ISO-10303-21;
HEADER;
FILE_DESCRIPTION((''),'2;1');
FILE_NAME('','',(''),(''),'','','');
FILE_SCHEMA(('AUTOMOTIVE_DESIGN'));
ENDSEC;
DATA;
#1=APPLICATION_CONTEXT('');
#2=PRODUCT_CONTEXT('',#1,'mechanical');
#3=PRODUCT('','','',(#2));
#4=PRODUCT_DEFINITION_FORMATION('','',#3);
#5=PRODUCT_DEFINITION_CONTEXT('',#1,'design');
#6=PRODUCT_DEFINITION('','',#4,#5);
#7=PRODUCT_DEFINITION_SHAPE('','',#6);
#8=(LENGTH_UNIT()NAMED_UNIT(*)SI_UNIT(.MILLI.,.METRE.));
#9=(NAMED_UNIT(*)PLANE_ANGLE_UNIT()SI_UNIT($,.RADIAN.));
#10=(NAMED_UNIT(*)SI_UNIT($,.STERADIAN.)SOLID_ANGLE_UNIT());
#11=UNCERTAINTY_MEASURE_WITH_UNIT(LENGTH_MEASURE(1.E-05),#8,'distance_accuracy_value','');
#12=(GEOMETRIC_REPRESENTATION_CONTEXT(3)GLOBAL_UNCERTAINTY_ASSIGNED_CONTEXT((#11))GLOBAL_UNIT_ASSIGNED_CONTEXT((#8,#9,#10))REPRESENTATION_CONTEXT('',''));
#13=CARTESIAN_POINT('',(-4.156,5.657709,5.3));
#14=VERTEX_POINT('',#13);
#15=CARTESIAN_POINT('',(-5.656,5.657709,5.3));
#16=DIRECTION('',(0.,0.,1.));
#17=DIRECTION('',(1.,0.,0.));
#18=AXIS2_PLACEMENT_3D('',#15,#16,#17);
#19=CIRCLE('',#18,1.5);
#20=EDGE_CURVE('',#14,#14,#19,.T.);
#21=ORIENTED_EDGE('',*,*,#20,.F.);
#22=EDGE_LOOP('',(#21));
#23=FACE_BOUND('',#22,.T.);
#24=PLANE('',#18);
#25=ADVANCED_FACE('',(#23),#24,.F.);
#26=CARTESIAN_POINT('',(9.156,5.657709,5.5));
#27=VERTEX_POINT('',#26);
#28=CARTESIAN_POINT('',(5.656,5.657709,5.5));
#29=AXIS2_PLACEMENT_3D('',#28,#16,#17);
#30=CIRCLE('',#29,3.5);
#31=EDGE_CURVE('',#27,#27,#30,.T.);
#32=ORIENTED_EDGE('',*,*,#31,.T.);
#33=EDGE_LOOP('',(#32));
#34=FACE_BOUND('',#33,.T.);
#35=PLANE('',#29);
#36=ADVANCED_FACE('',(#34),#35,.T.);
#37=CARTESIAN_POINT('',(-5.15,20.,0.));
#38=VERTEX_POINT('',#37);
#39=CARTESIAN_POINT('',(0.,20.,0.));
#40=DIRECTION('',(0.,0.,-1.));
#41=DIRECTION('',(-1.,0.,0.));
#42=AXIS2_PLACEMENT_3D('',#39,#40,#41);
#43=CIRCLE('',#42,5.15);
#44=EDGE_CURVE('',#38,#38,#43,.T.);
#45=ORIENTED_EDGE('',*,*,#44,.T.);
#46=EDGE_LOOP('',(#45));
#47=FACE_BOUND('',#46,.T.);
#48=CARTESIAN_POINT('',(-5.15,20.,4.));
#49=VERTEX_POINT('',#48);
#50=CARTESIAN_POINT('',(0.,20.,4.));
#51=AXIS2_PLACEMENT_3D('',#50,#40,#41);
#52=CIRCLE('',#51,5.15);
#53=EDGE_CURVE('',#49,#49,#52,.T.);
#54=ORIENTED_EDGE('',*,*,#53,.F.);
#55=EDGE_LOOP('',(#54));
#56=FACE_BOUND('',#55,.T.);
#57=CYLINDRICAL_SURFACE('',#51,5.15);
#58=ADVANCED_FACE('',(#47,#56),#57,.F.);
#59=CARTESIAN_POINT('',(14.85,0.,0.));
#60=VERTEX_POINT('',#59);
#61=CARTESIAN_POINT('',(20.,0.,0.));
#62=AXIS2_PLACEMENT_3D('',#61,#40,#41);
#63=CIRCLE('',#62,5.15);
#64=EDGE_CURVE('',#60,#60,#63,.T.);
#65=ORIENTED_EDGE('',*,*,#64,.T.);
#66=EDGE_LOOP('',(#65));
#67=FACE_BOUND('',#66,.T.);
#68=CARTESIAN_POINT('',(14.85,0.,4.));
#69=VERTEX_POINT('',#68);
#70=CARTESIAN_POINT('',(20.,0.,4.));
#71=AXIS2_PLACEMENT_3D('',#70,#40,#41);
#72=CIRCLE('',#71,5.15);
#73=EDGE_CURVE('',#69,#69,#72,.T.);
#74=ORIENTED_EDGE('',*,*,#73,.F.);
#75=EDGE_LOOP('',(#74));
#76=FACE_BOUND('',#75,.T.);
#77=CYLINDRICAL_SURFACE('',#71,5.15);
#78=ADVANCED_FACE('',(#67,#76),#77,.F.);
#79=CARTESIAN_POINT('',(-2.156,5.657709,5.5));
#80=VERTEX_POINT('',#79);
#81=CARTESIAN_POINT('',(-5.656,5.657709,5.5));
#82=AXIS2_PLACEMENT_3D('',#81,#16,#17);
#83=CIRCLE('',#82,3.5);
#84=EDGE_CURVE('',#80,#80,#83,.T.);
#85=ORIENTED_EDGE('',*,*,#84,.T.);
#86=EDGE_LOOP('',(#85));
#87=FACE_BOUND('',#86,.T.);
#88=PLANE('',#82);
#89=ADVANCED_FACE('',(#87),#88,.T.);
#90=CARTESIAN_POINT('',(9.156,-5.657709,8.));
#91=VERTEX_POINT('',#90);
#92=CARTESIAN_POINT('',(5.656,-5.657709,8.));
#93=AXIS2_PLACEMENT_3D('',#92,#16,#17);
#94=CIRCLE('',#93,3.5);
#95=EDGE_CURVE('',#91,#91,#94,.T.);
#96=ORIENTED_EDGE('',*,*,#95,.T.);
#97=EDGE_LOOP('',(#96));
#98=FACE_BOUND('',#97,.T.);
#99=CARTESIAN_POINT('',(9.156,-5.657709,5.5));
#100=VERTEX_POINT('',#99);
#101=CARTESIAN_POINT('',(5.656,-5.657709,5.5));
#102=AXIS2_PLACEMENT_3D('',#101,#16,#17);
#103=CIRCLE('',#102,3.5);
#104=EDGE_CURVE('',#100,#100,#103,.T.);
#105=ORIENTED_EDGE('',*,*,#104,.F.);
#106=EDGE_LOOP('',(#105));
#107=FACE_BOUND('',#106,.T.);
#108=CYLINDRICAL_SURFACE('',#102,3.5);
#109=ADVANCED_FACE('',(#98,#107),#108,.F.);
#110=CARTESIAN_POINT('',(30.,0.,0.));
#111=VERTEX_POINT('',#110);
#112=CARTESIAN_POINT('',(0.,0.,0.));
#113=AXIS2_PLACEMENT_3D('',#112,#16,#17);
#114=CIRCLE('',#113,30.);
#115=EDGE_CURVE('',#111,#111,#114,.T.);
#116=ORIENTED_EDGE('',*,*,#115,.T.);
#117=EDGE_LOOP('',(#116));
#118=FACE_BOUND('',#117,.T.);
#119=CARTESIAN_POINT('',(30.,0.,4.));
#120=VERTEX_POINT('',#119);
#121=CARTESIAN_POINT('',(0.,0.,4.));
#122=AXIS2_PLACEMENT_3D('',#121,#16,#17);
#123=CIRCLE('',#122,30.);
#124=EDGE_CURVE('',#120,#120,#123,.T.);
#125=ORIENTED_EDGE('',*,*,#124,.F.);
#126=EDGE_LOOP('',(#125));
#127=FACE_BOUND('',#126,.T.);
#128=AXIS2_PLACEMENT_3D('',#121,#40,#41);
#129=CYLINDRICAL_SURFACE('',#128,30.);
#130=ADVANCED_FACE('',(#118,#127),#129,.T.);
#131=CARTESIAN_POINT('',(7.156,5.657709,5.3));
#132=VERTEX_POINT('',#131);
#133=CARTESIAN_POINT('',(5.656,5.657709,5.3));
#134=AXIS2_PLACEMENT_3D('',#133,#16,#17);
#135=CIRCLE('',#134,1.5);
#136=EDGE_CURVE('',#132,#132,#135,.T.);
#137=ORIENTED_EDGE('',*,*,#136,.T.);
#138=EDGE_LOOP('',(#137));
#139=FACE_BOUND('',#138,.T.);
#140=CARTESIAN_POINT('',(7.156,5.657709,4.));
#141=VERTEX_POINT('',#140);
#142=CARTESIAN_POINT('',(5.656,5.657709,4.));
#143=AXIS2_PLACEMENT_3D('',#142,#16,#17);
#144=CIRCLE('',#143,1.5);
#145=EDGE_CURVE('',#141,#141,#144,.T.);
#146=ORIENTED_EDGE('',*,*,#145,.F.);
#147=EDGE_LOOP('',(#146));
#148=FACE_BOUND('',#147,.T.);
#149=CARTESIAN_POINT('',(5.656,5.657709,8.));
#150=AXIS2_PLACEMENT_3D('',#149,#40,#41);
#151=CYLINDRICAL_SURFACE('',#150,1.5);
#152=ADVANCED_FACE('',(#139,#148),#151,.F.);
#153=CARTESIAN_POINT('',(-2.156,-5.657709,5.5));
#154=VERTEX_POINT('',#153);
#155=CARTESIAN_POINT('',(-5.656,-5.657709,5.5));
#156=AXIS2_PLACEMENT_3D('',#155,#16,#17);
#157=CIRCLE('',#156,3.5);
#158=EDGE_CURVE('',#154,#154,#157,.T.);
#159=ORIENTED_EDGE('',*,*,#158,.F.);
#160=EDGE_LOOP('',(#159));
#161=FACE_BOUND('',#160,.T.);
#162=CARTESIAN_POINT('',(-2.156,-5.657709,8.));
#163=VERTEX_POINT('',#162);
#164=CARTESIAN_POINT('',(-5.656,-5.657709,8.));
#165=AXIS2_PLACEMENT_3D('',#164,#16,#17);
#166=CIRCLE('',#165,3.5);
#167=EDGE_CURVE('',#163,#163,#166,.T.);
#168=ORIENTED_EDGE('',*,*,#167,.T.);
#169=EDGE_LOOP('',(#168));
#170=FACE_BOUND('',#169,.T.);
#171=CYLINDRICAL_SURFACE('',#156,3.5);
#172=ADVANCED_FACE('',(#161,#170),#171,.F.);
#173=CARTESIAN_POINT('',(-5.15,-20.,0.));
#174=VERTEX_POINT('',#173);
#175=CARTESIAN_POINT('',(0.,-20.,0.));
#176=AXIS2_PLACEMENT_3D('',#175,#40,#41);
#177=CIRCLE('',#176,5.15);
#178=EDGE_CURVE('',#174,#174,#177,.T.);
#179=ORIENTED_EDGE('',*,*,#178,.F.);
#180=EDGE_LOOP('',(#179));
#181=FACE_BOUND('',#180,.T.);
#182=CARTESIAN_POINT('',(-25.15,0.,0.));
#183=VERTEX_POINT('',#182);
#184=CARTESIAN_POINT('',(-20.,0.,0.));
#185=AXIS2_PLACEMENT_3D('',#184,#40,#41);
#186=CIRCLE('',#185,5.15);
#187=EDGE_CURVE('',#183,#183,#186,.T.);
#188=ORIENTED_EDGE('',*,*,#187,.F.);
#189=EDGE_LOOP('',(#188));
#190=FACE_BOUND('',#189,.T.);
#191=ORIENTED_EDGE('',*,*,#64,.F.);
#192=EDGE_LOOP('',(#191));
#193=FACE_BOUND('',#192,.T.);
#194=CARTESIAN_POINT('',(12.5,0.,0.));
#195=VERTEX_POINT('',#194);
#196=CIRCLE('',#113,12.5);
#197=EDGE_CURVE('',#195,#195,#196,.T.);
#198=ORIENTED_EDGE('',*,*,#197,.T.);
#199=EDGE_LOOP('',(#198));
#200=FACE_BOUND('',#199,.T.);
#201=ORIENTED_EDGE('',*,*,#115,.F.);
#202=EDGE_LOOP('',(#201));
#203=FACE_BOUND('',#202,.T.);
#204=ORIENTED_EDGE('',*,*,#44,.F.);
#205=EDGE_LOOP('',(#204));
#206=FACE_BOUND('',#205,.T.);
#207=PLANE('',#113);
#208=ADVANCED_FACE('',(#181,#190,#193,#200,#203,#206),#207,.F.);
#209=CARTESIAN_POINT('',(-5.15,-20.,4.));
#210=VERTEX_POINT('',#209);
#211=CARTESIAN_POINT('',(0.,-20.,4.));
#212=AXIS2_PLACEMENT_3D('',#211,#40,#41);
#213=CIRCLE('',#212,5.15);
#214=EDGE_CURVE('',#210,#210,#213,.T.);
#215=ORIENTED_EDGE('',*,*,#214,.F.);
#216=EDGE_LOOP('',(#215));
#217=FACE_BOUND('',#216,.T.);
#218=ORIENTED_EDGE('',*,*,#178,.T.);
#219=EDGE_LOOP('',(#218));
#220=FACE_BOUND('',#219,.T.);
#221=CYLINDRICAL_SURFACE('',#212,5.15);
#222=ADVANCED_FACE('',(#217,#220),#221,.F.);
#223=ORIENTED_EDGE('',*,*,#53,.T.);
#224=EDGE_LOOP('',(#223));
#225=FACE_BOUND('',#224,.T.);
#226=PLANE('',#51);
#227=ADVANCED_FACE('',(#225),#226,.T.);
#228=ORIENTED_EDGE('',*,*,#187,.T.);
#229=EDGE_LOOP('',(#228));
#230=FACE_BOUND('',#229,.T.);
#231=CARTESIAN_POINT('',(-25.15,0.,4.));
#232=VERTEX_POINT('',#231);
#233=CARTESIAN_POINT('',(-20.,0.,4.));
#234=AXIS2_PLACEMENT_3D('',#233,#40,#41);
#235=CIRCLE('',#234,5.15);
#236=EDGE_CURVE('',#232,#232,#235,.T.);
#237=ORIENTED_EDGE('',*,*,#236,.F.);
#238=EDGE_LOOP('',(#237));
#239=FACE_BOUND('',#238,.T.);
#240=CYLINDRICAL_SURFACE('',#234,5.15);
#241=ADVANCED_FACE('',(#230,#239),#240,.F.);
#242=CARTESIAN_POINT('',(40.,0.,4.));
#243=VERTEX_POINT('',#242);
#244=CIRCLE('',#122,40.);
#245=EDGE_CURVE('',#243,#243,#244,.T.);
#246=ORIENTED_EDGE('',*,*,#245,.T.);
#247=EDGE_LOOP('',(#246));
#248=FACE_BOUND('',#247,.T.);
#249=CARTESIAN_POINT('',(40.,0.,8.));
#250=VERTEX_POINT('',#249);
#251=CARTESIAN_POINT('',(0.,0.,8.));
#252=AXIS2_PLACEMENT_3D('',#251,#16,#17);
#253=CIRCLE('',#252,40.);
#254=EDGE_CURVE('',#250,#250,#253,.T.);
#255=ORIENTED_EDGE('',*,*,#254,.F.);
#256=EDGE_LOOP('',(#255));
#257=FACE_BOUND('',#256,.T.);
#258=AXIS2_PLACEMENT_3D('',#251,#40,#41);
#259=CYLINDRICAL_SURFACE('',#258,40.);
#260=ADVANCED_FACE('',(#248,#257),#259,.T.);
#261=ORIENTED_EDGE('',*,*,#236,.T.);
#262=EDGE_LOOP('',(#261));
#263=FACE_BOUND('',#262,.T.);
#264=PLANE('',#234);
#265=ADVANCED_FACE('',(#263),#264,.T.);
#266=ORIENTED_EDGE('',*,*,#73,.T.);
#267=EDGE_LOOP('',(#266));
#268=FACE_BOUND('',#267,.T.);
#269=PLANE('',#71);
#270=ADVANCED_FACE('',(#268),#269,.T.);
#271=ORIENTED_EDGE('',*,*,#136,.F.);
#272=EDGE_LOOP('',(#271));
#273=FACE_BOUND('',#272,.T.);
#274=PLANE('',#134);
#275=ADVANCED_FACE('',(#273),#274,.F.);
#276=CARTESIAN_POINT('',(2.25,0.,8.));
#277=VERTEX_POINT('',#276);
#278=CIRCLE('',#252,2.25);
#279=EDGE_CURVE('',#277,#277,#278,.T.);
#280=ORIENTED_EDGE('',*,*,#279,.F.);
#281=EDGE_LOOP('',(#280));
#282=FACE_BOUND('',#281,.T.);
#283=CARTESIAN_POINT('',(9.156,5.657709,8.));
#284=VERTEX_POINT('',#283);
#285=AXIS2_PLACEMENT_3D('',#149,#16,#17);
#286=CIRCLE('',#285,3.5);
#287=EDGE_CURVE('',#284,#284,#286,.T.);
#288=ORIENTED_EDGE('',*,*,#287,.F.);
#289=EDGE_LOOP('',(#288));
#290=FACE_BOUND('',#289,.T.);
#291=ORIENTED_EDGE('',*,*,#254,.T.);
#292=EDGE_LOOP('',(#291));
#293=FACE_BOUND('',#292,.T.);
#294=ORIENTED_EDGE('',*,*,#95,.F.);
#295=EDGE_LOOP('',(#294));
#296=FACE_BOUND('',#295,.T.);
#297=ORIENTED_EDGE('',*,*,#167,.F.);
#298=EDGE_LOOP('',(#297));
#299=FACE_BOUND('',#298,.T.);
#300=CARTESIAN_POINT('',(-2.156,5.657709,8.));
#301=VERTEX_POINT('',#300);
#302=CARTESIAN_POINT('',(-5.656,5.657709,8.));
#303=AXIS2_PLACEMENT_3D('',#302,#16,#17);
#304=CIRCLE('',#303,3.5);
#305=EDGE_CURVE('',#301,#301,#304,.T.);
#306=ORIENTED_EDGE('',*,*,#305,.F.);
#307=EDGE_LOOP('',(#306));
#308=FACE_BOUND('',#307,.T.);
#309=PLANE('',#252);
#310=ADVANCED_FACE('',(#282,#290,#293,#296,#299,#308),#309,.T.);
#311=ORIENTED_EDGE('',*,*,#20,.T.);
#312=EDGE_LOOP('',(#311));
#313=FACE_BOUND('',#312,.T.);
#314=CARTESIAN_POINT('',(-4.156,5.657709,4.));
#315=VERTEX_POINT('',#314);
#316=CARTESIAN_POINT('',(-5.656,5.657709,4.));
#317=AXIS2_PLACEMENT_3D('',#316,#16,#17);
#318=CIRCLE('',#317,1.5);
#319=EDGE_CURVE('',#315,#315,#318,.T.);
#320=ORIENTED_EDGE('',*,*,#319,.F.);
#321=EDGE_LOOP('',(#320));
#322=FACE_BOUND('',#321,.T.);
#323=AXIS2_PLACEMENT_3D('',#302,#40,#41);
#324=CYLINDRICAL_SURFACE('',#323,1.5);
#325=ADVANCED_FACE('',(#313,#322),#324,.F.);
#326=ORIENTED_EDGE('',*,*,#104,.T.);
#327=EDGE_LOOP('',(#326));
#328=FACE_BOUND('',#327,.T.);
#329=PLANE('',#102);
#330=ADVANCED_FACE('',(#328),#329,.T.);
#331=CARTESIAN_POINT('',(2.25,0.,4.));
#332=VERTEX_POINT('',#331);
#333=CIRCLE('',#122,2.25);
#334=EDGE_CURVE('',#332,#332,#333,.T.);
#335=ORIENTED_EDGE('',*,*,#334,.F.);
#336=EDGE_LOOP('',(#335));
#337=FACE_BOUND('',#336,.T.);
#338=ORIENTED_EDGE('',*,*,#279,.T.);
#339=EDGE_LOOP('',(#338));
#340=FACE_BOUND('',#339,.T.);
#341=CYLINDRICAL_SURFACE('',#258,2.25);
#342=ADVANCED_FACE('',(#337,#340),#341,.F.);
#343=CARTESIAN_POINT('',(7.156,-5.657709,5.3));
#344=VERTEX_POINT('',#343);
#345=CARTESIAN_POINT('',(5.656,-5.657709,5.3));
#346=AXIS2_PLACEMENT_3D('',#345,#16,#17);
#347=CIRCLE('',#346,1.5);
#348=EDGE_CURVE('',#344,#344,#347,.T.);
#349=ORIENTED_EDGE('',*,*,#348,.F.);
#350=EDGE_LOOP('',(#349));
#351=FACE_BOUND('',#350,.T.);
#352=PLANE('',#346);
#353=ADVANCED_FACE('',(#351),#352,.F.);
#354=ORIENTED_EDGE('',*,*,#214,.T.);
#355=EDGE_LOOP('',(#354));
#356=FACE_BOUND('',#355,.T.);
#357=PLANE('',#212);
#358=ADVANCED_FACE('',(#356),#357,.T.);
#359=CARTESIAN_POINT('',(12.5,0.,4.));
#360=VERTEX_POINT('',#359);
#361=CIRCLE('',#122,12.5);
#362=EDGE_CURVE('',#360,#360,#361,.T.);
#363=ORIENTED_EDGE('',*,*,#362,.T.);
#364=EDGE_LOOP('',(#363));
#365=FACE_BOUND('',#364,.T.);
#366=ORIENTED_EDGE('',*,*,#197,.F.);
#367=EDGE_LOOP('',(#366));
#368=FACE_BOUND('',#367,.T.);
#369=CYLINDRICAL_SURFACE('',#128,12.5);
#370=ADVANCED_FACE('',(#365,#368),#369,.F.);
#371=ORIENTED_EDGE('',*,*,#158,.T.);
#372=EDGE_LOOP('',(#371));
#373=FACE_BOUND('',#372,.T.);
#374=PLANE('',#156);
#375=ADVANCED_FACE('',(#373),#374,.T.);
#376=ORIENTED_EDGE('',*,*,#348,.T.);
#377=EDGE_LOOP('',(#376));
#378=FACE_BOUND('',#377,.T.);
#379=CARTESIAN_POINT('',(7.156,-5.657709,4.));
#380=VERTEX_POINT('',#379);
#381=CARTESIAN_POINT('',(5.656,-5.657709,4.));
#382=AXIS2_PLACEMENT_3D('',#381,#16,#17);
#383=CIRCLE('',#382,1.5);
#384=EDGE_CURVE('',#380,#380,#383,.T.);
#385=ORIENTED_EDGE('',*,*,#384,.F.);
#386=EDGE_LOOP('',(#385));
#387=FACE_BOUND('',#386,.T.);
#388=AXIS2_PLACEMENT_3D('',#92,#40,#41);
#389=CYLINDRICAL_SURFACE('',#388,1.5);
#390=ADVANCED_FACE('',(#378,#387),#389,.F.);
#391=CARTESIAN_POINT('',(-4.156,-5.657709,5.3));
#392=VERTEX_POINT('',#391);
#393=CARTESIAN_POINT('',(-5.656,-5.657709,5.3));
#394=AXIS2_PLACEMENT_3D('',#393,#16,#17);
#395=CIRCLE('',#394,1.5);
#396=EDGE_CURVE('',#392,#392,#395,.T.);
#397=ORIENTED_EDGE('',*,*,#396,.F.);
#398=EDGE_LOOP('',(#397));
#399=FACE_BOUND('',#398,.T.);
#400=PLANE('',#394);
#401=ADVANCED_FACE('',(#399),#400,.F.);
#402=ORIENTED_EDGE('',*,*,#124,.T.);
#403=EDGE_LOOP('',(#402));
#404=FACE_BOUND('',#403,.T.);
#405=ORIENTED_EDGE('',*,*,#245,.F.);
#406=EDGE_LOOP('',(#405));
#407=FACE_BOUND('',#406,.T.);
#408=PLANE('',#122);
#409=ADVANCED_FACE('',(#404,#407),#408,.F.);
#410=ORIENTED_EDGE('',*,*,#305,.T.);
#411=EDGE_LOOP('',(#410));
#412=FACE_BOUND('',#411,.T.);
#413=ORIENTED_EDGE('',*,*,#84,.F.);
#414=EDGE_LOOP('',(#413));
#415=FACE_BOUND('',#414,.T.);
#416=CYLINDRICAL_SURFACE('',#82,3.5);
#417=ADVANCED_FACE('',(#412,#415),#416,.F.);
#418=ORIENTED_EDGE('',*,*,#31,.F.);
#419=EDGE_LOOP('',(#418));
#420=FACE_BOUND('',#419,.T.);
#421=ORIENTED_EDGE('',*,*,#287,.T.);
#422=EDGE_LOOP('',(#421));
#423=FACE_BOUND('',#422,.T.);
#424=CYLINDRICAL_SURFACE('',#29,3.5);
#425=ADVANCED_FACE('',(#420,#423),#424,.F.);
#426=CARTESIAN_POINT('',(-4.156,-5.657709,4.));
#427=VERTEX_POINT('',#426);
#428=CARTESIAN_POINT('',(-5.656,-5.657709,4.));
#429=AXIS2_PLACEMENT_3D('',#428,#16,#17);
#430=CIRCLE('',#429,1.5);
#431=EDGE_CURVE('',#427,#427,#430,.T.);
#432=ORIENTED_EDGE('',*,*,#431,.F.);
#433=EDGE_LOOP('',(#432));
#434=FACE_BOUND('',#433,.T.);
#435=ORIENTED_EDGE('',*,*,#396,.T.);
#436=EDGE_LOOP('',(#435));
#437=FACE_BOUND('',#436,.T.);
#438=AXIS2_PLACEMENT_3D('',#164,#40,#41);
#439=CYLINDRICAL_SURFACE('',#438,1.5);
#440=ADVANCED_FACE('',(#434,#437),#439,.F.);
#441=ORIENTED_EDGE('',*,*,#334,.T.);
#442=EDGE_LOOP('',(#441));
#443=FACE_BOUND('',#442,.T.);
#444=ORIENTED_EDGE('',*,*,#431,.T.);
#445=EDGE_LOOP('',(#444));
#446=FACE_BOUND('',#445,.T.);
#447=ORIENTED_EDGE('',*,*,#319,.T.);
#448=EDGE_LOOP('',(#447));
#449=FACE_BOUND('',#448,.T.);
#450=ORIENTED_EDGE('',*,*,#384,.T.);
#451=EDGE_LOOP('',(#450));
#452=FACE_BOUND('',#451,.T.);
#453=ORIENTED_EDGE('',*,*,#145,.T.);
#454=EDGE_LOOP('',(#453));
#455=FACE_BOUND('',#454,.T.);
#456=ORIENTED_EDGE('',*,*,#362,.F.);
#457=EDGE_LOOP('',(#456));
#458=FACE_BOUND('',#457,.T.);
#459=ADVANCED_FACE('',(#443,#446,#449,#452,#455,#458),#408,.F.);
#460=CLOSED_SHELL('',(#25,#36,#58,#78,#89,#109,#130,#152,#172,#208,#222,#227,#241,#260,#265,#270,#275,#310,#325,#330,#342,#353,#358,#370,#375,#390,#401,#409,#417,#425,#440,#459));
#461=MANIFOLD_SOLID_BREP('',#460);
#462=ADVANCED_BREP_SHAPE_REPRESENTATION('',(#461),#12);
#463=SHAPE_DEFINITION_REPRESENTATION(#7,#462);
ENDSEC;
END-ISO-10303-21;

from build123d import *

# Parameters (mm, degrees)
SKETCH1_R           = 30
SKETCH1_R_2         = 12.5
BOSS_EXTRUDE1_DEPTH = 4
SKETCH2_R           = 40
SKETCH2_R_2         = 2.25
SKETCH2_R_3         = 1.5
BOSS_EXTRUDE2_DEPTH = 4
SKETCH3_R           = 3.5
CUT_EXTRUDE1_DEPTH  = 2.5
SKETCH4_R           = 5.15
CUT_EXTRUDE2_DEPTH  = 4
SKETCH5_R           = 3.5
BOSS_EXTRUDE3_DEPTH = 0.2


with BuildPart() as part:
    # Sketch1 → Boss-Extrude1 (new body)
    with BuildSketch(Plane.XY):
        Circle(SKETCH1_R)
        Circle(SKETCH1_R_2, mode=Mode.SUBTRACT)
    extrude(amount=BOSS_EXTRUDE1_DEPTH)

    # Sketch2 → Boss-Extrude2 (add)
    with BuildSketch(Plane.XY.offset(4)):
        Circle(SKETCH2_R)
        Circle(SKETCH2_R_2, mode=Mode.SUBTRACT)
        with Locations((-5.655999742, 5.657708628)):
            Circle(SKETCH2_R_3, mode=Mode.SUBTRACT)
        with Locations((-5.655999742, -5.657708628)):
            Circle(SKETCH2_R_3, mode=Mode.SUBTRACT)
        with Locations((5.655999742, -5.657708628)):
            Circle(SKETCH2_R_3, mode=Mode.SUBTRACT)
        with Locations((5.655999742, 5.657708628)):
            Circle(SKETCH2_R_3, mode=Mode.SUBTRACT)
    extrude(amount=BOSS_EXTRUDE2_DEPTH)

    # Sketch3 → Cut-Extrude1 (cut)
    with BuildSketch(Plane.XY.offset(8)):
        with Locations((-5.655999742, 5.657708628)):
            Circle(SKETCH3_R)
        with Locations((5.655999742, 5.657708628)):
            Circle(SKETCH3_R)
        with Locations((5.655999742, -5.657708628)):
            Circle(SKETCH3_R)
        with Locations((-5.655999742, -5.657708628)):
            Circle(SKETCH3_R)
    extrude(amount=-CUT_EXTRUDE1_DEPTH, mode=Mode.SUBTRACT)

    # Sketch4 → Cut-Extrude2 (cut)
    with BuildSketch(Plane(origin=(0, 0, 0), x_dir=(-1, 0, 0), z_dir=(0, 0, -1))):
        with Locations((-20, 0)):
            Circle(SKETCH4_R)
        with Locations((0, -20)):
            Circle(SKETCH4_R)
        with Locations((20, 0)):
            Circle(SKETCH4_R)
        with Locations((0, 20)):
            Circle(SKETCH4_R)
    extrude(amount=-CUT_EXTRUDE2_DEPTH, mode=Mode.SUBTRACT)

    # Sketch5 → Boss-Extrude3 (add)
    with BuildSketch(Plane.XY.offset(5.5)):
        with Locations((-5.655999742, 5.657708628)):
            Circle(SKETCH5_R)
        with Locations((5.655999742, 5.657708628)):
            Circle(SKETCH5_R)
        with Locations((-5.655999742, -5.657708628)):
            Circle(SKETCH5_R)
        with Locations((5.655999742, -5.657708628)):
            Circle(SKETCH5_R)
    extrude(amount=-BOSS_EXTRUDE3_DEPTH)


solid = part.part
